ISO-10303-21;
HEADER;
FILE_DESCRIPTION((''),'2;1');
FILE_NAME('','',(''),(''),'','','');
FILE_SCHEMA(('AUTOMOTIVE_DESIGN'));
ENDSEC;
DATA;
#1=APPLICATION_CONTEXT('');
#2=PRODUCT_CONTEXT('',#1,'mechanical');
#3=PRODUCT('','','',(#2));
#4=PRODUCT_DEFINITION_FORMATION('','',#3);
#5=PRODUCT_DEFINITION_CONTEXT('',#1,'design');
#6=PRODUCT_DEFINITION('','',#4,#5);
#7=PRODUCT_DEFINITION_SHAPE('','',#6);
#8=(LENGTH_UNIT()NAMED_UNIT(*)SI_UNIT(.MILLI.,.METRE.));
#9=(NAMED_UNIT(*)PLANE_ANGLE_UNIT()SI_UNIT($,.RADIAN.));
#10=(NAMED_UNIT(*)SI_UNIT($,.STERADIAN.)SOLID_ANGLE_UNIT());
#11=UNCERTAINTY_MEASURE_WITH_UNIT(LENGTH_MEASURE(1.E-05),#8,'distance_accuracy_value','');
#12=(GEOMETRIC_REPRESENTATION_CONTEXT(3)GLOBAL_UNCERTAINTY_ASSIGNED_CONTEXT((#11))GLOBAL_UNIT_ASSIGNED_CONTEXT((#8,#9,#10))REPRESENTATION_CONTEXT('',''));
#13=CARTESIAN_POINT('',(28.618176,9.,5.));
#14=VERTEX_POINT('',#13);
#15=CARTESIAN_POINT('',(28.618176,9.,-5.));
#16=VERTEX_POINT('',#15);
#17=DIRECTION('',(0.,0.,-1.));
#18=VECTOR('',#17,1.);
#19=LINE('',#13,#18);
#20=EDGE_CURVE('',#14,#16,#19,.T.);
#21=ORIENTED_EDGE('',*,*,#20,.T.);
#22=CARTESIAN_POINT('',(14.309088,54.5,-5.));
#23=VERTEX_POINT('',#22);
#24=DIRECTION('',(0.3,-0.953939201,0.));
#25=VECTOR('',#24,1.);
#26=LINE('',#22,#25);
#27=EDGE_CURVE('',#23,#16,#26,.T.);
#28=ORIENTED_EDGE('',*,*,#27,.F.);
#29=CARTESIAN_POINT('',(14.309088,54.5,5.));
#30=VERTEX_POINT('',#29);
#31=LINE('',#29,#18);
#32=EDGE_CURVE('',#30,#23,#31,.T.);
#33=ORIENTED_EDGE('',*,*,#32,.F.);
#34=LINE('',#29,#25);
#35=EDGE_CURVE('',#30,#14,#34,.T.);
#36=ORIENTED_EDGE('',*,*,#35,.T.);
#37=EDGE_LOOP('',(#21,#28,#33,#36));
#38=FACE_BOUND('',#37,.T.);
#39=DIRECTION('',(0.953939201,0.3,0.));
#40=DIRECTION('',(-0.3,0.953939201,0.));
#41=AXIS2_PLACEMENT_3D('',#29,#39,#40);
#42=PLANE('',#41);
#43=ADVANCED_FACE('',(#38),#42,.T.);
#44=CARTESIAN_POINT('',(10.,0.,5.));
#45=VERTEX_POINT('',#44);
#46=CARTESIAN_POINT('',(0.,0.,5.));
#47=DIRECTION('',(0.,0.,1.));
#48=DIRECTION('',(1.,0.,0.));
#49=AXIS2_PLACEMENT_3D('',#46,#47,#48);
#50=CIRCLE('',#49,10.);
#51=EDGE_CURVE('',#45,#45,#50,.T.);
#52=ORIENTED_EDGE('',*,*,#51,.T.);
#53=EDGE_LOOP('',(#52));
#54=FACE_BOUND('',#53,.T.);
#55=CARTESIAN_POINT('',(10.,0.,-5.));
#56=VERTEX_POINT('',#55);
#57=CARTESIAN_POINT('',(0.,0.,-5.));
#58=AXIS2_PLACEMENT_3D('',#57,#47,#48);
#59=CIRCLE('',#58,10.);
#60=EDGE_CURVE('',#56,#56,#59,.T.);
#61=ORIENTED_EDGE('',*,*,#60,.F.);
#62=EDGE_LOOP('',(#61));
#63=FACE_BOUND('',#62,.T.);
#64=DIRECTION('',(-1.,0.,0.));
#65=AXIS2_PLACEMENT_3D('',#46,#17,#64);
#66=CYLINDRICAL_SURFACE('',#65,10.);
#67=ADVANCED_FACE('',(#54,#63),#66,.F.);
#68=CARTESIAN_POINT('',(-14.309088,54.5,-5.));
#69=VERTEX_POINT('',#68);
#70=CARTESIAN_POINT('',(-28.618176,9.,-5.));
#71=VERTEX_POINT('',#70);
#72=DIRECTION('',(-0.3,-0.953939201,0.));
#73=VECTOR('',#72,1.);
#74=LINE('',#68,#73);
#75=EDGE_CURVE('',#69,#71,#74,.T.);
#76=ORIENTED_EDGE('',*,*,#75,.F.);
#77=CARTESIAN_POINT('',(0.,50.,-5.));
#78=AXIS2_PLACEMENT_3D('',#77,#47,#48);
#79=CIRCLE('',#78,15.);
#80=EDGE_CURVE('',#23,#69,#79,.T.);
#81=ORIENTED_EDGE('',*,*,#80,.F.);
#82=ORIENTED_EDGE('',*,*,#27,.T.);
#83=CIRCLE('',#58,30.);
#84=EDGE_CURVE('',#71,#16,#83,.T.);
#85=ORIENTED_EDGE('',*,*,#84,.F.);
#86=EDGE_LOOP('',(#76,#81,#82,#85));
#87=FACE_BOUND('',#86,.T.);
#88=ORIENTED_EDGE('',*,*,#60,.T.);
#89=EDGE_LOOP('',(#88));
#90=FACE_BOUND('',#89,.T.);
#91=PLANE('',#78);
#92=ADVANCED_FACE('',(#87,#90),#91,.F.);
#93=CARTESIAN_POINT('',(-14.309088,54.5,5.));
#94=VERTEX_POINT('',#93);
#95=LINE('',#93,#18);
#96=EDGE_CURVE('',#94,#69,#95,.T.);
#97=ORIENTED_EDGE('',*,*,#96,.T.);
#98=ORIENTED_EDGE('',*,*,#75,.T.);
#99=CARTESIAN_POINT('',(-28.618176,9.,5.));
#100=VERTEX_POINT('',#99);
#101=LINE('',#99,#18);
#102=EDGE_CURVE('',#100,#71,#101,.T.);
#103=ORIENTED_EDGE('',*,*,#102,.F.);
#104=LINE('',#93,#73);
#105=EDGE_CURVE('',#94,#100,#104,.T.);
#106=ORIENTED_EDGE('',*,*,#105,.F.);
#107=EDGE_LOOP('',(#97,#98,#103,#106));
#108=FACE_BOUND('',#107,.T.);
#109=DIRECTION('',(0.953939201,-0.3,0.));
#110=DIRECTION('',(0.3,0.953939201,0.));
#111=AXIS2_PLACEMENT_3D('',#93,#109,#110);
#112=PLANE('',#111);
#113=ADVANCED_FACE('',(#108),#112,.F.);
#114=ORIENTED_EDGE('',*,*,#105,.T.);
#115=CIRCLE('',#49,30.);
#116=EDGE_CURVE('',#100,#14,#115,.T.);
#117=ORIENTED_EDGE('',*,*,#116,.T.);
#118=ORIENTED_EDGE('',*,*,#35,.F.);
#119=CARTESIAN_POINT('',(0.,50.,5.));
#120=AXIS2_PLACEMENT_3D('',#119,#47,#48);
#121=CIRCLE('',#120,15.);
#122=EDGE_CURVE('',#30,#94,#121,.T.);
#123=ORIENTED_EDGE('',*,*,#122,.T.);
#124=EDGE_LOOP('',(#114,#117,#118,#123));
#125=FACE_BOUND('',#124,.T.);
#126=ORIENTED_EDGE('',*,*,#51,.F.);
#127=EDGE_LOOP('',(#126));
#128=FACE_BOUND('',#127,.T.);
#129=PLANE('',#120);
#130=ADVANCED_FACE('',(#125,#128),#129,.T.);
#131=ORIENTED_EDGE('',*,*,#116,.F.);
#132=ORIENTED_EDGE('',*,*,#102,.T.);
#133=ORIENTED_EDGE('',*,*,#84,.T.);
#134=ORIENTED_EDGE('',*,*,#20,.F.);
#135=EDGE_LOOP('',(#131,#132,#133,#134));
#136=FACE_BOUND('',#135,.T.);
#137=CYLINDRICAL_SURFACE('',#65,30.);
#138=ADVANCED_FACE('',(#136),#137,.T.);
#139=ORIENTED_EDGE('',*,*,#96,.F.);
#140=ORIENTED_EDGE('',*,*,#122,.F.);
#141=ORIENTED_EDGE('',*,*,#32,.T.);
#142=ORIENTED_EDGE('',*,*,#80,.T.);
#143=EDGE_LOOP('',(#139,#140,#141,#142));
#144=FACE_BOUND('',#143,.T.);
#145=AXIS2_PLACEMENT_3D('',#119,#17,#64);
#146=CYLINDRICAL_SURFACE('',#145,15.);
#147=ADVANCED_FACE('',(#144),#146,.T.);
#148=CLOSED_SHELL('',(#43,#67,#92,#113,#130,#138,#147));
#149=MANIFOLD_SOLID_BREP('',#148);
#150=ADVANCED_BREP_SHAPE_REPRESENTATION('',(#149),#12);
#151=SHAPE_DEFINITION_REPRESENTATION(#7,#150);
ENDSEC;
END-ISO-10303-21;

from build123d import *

# Parameters (mm, degrees)
SKETCH1_R           = 10
BOSS_EXTRUDE1_DEPTH = 5


with BuildPart() as part:
    # Sketch1 → Boss-Extrude1 (new, symmetric)
    with BuildSketch(Plane.XY):
        with BuildLine():
            Line((-14.309088021, 54.5), (-28.618176043, 9))
            ThreePointArc((-28.618176043, 9), (0, -30), (28.618176043, 9))
            Line((28.618176043, 9), (14.309088021, 54.5))
            ThreePointArc((14.309088021, 54.5), (0, 65), (-14.309088021, 54.5))
        make_face()
        Circle(SKETCH1_R, mode=Mode.SUBTRACT)
    extrude(amount=BOSS_EXTRUDE1_DEPTH, both=True)


solid = part.part
